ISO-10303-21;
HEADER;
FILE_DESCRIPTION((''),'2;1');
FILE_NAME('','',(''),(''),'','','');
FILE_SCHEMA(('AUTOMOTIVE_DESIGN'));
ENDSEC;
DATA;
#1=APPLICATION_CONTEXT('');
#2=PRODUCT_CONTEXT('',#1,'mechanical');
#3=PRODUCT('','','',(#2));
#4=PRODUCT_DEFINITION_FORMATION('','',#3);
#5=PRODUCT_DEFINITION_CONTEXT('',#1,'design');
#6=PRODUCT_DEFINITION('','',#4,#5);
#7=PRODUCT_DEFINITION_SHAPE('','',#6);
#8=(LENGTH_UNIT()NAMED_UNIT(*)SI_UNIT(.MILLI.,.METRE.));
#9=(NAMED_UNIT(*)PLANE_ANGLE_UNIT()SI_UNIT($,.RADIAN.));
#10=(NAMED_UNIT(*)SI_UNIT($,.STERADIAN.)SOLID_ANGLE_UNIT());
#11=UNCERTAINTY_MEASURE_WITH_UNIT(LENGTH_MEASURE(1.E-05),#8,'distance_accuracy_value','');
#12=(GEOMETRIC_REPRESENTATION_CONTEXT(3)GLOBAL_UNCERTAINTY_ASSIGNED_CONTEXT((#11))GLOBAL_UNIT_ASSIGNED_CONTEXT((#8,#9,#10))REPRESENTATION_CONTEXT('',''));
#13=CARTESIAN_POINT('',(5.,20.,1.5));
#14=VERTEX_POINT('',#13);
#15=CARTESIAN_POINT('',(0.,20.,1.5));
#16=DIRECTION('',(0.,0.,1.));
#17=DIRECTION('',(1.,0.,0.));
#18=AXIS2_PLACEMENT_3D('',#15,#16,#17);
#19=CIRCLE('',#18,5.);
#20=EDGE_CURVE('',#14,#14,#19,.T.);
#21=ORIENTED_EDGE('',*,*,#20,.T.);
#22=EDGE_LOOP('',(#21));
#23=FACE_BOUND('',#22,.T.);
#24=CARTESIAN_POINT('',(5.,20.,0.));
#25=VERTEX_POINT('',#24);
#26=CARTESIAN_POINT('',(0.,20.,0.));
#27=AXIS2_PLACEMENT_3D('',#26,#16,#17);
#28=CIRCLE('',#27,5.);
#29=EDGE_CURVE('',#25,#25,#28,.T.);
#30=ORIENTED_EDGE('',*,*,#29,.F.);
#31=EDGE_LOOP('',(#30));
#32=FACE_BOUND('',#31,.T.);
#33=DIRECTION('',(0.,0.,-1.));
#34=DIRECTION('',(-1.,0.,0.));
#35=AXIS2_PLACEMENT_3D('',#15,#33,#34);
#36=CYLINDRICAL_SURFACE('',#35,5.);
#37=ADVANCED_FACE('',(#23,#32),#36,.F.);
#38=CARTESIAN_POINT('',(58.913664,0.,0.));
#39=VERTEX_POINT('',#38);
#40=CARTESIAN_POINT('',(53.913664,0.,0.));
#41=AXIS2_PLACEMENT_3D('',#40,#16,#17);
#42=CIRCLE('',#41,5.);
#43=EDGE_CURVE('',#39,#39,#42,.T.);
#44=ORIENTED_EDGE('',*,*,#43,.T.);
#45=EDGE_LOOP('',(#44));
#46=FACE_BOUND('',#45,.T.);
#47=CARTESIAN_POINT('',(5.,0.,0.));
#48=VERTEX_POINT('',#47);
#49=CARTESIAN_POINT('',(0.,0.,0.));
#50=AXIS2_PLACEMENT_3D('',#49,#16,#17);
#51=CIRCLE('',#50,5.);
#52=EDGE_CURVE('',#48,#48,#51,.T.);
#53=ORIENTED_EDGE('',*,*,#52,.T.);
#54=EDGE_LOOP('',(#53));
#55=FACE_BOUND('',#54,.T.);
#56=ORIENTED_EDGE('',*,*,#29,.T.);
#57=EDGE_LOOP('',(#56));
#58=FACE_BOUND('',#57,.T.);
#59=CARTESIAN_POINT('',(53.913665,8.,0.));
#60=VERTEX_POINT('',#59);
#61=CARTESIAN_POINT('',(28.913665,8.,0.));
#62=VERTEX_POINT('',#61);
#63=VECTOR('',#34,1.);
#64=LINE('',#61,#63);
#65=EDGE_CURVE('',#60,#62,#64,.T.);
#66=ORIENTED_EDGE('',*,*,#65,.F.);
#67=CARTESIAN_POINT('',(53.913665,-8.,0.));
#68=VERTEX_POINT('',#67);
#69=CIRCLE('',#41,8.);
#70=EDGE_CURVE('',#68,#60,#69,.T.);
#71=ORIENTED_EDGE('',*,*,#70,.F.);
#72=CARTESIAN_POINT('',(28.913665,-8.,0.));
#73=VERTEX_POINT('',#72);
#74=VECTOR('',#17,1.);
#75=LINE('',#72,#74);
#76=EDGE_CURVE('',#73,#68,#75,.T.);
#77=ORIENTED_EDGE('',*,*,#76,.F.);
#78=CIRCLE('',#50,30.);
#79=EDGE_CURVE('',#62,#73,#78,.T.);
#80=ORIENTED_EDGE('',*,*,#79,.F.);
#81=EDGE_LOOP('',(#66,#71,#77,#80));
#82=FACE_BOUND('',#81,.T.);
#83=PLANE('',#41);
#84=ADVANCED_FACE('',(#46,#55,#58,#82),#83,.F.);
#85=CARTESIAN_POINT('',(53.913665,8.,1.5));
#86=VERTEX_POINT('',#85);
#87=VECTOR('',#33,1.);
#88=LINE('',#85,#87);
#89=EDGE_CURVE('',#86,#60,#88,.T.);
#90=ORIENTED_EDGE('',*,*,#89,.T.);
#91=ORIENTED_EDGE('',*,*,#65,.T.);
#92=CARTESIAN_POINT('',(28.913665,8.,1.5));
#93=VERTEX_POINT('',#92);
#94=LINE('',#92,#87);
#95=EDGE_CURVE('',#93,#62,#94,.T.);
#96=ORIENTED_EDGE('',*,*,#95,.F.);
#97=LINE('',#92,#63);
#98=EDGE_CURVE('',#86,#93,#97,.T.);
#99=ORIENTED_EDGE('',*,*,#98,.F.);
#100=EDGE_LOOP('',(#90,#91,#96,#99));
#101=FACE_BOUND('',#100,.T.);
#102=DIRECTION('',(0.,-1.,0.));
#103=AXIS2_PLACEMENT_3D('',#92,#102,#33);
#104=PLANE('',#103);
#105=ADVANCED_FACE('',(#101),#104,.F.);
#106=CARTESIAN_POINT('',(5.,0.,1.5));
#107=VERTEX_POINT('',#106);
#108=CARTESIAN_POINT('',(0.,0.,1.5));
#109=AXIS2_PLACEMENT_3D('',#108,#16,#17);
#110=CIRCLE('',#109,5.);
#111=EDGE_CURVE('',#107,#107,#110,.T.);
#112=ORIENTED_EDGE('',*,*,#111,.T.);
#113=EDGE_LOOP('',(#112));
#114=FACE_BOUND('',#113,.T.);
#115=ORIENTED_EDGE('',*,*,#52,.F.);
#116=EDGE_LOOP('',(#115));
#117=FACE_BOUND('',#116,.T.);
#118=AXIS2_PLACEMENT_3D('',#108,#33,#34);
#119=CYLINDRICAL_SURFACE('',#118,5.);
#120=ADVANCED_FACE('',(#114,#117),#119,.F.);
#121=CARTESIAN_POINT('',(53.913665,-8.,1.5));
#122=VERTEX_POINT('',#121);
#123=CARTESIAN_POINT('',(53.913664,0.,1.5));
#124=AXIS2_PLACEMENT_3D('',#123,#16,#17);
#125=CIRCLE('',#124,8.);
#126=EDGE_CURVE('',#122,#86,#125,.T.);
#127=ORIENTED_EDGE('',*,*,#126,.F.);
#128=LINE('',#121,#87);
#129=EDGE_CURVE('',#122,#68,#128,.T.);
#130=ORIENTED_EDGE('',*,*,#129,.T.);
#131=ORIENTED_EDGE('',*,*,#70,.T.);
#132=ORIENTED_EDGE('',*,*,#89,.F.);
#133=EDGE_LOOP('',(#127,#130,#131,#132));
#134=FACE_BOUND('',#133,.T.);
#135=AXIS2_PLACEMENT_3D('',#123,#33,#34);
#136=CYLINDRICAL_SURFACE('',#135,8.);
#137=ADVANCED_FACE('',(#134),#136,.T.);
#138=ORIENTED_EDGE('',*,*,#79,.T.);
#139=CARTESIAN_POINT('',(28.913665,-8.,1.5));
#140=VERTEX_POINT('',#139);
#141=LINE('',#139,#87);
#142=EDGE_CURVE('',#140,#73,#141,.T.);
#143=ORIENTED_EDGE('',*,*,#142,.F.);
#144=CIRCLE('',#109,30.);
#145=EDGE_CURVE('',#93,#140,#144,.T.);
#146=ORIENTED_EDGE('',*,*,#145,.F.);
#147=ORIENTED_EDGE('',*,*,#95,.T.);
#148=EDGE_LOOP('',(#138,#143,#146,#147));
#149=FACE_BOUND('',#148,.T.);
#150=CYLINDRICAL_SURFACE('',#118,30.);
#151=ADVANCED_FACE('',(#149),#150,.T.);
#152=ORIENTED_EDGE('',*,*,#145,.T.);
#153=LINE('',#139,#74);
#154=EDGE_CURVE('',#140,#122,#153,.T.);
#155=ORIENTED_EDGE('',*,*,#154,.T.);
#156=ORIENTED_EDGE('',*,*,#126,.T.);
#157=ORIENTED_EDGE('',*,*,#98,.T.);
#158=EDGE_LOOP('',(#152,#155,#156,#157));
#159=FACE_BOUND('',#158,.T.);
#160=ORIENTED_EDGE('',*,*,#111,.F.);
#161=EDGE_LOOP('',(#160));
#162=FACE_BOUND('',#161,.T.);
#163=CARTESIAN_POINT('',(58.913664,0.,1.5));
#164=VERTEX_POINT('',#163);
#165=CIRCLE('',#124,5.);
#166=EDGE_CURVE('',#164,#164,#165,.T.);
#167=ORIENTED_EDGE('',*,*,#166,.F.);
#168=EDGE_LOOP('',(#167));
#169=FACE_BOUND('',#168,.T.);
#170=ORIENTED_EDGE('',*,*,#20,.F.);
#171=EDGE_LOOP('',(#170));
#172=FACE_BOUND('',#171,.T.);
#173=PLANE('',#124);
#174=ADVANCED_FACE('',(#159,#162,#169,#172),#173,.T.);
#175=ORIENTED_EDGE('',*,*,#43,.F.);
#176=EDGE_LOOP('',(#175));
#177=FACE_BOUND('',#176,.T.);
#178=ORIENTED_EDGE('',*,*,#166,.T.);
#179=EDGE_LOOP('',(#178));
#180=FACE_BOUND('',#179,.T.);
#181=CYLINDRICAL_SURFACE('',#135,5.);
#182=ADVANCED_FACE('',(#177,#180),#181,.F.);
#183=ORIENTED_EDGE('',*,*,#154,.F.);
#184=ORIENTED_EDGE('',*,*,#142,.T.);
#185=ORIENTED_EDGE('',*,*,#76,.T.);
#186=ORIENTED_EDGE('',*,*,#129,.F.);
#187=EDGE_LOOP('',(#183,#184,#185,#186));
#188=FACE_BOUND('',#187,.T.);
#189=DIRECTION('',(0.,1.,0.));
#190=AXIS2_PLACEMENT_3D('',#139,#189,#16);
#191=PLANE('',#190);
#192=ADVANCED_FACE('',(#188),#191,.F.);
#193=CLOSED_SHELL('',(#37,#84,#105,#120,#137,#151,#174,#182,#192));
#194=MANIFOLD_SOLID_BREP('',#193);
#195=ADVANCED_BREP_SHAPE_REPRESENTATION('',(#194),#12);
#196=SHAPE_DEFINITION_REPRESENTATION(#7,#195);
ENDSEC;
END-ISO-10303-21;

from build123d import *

# Parameters (mm, degrees)
SKETCH1_R           = 5
BOSS_EXTRUDE1_DEPTH = 1.5


with BuildPart() as part:
    # Sketch1 → Boss-Extrude1 (new body)
    with BuildSketch(Plane.XY):
        with BuildLine():
            Line((28.91366459, 8), (53.91366459, 8))
            ThreePointArc((53.91366459, 8), (61.913664472, 0), (53.91366459, -8))
            Line((53.91366459, -8), (28.91366459, -8))
            ThreePointArc((28.91366459, -8), (-30, 0), (28.91366459, 8))
        make_face()
        Circle(SKETCH1_R, mode=Mode.SUBTRACT)
        with Locations((53.913664472, 0)):
            Circle(SKETCH1_R, mode=Mode.SUBTRACT)
        with Locations((0, 20)):
            Circle(SKETCH1_R, mode=Mode.SUBTRACT)
    extrude(amount=BOSS_EXTRUDE1_DEPTH)


solid = part.part
